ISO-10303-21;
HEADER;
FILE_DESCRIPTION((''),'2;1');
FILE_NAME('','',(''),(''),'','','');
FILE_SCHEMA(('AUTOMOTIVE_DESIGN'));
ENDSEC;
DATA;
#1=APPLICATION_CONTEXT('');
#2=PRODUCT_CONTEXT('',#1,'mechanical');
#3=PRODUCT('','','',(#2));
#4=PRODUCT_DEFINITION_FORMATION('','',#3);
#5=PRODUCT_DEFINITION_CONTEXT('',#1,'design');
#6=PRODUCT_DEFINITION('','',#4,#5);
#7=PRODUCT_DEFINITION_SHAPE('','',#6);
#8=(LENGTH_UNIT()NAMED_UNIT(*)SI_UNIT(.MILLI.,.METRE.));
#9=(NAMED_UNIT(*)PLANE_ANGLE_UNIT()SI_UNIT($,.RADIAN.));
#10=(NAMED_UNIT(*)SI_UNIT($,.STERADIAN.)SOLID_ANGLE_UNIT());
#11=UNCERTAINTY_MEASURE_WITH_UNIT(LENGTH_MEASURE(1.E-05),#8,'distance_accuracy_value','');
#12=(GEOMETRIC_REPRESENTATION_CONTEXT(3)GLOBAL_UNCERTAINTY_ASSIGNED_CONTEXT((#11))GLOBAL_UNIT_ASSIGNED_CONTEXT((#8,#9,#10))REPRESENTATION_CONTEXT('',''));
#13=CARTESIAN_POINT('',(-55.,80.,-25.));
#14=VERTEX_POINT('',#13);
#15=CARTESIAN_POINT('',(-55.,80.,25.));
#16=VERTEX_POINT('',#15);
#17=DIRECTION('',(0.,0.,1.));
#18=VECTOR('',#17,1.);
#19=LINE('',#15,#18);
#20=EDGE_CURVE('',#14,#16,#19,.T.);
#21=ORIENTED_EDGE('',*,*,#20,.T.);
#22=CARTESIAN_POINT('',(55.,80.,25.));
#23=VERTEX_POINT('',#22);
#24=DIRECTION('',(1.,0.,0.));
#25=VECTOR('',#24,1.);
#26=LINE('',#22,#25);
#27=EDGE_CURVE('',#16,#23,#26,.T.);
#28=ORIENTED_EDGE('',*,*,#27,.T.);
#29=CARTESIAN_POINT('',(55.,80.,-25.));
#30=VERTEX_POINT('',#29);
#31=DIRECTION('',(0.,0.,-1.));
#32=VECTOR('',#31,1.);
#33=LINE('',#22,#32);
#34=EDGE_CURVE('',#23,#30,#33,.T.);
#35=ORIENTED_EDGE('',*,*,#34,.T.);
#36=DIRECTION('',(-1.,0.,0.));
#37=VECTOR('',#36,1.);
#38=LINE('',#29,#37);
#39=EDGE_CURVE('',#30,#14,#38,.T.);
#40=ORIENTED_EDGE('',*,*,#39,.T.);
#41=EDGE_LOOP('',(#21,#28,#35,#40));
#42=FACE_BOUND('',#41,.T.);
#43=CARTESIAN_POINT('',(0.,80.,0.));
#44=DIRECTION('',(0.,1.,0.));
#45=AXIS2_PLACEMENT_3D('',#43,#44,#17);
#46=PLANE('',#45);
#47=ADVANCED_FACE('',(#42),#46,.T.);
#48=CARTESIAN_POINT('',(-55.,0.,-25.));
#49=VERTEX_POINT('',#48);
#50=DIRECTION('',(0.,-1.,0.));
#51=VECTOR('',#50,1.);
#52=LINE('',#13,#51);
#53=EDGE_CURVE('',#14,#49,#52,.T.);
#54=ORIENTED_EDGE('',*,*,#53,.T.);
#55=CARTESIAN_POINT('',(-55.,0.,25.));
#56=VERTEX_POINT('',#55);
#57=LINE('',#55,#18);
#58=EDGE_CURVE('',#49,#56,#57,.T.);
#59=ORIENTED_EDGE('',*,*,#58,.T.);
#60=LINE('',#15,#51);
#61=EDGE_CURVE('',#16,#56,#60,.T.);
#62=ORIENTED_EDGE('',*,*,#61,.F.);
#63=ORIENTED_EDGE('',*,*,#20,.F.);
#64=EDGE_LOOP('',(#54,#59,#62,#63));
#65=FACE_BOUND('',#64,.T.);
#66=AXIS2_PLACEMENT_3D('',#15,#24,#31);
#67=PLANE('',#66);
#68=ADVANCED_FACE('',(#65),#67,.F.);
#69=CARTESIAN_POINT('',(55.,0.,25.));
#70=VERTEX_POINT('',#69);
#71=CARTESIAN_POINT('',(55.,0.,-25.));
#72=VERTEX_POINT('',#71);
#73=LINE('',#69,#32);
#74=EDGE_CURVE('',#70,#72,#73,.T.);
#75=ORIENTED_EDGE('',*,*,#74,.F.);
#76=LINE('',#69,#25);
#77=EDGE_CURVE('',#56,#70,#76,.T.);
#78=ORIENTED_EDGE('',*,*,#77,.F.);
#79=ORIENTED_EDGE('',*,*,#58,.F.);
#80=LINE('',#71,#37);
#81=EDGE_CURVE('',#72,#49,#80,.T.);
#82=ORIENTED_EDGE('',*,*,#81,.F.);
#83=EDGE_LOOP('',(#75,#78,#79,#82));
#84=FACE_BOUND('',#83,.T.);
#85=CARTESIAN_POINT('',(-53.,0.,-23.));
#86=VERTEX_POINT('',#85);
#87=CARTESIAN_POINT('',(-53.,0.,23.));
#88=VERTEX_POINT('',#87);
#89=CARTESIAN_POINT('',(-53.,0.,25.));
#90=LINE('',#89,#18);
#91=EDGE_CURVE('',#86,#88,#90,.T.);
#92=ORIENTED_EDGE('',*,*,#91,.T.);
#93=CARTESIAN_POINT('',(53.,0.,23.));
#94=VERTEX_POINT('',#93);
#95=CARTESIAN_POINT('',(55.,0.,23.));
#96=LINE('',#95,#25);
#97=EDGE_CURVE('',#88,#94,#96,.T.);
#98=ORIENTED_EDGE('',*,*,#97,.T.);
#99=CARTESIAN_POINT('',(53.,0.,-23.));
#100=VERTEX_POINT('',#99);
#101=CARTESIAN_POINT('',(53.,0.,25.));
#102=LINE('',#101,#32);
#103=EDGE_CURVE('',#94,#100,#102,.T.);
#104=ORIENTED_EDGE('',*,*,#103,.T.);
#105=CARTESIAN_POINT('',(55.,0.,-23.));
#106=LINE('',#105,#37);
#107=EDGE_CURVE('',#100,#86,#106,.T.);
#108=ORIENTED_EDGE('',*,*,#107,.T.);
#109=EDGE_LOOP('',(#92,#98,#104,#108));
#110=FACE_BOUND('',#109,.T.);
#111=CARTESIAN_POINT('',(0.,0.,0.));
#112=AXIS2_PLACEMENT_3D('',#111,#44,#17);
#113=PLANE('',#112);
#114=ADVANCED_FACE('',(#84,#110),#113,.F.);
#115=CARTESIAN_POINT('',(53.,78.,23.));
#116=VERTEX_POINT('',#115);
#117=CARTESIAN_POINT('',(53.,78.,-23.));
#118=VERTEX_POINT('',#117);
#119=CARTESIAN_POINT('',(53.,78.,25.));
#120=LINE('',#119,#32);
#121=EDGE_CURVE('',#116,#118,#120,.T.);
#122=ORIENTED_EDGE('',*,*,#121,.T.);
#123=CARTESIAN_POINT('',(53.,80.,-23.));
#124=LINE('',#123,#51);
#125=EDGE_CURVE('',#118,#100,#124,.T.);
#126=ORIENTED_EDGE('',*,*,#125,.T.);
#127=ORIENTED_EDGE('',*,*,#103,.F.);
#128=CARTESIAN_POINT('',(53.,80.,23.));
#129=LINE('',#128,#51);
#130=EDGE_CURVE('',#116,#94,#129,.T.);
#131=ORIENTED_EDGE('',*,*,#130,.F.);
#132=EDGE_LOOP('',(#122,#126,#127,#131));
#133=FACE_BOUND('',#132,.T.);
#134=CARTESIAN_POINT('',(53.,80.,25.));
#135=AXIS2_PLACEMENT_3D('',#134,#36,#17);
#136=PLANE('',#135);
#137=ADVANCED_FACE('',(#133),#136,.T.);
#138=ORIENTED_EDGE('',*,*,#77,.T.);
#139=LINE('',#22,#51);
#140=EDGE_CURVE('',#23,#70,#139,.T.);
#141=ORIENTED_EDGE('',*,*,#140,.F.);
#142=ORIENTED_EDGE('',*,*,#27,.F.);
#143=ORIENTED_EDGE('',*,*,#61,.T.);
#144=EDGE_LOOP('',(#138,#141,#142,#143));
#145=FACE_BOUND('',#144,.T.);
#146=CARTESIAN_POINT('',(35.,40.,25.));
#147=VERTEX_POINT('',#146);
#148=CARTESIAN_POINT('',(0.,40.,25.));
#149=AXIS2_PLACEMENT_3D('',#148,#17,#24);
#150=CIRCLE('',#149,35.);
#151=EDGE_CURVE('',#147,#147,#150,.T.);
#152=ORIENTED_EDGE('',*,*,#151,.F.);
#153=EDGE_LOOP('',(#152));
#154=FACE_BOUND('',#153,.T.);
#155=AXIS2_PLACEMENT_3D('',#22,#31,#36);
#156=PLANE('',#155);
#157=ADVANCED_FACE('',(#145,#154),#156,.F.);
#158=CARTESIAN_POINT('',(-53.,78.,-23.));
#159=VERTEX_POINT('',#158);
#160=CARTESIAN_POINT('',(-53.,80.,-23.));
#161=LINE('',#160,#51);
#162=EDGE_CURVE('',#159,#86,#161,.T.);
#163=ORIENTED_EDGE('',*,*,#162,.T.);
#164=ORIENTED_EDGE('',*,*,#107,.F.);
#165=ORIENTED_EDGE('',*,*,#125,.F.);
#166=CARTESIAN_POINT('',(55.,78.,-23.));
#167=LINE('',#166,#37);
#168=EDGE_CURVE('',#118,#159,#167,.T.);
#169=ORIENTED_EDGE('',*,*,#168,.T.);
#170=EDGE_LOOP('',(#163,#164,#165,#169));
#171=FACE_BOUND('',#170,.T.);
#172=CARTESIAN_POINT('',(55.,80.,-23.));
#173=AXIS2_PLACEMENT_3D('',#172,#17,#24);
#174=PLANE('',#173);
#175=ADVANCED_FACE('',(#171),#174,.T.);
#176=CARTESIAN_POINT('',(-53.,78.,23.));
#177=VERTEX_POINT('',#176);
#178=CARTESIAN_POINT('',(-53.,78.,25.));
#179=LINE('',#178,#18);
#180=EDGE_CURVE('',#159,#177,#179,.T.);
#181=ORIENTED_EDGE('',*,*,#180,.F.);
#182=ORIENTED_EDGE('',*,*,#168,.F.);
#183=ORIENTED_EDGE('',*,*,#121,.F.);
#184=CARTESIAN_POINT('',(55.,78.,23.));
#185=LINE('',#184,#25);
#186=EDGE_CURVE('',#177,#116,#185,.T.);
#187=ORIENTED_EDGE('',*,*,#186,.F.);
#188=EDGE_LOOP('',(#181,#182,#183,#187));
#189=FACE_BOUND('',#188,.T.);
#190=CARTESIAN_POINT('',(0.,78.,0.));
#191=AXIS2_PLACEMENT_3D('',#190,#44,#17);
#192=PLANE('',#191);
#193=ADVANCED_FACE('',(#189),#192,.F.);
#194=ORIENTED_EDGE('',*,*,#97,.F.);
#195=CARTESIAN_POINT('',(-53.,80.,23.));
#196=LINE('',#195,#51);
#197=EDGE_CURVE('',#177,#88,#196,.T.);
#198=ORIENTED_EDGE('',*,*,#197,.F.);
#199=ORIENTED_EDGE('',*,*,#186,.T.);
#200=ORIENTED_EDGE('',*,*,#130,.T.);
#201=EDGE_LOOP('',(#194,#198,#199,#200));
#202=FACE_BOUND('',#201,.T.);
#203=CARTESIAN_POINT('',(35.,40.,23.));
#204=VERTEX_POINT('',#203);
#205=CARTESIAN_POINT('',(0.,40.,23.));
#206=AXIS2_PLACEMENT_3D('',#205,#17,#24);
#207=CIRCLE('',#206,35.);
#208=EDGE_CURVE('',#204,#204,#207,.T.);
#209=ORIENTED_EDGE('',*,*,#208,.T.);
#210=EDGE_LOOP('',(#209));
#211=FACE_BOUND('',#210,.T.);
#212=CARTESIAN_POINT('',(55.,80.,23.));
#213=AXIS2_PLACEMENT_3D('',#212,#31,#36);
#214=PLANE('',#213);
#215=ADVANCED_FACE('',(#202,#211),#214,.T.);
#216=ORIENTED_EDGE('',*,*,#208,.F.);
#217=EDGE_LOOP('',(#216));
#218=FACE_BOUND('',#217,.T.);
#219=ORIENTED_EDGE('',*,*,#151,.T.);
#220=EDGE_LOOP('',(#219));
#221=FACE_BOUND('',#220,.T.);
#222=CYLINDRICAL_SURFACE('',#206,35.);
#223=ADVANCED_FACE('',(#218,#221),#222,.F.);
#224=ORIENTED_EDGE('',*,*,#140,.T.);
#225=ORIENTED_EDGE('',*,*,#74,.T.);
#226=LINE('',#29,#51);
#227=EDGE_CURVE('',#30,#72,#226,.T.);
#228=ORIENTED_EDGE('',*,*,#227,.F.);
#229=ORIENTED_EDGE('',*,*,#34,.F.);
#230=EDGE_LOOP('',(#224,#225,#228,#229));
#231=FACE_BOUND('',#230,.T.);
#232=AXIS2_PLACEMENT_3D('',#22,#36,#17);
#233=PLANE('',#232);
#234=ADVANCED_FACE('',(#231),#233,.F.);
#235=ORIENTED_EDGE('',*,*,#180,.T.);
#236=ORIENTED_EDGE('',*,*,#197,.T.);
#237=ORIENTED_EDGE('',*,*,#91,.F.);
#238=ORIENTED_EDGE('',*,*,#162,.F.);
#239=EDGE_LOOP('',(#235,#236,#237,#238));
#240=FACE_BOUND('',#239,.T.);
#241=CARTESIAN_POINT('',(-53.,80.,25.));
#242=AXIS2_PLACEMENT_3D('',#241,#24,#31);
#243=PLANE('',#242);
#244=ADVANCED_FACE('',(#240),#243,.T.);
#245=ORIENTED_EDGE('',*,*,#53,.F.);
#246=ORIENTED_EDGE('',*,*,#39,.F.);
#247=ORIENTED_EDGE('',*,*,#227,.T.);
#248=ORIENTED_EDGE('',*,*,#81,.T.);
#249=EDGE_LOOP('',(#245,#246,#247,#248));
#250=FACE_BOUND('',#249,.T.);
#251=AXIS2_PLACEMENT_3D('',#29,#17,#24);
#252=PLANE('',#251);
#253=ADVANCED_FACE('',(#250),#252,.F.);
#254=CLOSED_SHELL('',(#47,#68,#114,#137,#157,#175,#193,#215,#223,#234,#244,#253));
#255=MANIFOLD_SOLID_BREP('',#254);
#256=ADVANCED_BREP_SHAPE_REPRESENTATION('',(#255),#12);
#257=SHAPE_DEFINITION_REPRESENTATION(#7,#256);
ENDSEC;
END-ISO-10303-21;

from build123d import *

# Parameters (mm, degrees)
SKETCH_1_W          = 110
SKETCH_1_H          = 50
EXTRUDE_1_DEPTH     = 80
SHELL_1_T           = -2
SKETCH_2_R          = 35
CUT_EXTRUDE_1_DEPTH = 2


with BuildPart() as part:
    # 草图1 → 凸台-拉伸1 (new body)
    with BuildSketch(Plane(origin=(0, 0, 0), x_dir=(1, 0, 0), z_dir=(0, 1, 0))):
        Rectangle(SKETCH_1_W, SKETCH_1_H)
    extrude(amount=EXTRUDE_1_DEPTH)

    # 抽壳1
    shell_1_openings = [part.faces().sort_by_distance(p)[0] for p in [
        (0, 0, 0),
    ]]
    offset(amount=SHELL_1_T, openings=shell_1_openings, kind=Kind.INTERSECTION)

    # 草图2 → 切除-拉伸1 (cut)
    with BuildSketch(Plane.XY.offset(25)):
        with Locations((0, 40)):
            Circle(SKETCH_2_R)
    extrude(amount=-CUT_EXTRUDE_1_DEPTH, mode=Mode.SUBTRACT)


solid = part.part
